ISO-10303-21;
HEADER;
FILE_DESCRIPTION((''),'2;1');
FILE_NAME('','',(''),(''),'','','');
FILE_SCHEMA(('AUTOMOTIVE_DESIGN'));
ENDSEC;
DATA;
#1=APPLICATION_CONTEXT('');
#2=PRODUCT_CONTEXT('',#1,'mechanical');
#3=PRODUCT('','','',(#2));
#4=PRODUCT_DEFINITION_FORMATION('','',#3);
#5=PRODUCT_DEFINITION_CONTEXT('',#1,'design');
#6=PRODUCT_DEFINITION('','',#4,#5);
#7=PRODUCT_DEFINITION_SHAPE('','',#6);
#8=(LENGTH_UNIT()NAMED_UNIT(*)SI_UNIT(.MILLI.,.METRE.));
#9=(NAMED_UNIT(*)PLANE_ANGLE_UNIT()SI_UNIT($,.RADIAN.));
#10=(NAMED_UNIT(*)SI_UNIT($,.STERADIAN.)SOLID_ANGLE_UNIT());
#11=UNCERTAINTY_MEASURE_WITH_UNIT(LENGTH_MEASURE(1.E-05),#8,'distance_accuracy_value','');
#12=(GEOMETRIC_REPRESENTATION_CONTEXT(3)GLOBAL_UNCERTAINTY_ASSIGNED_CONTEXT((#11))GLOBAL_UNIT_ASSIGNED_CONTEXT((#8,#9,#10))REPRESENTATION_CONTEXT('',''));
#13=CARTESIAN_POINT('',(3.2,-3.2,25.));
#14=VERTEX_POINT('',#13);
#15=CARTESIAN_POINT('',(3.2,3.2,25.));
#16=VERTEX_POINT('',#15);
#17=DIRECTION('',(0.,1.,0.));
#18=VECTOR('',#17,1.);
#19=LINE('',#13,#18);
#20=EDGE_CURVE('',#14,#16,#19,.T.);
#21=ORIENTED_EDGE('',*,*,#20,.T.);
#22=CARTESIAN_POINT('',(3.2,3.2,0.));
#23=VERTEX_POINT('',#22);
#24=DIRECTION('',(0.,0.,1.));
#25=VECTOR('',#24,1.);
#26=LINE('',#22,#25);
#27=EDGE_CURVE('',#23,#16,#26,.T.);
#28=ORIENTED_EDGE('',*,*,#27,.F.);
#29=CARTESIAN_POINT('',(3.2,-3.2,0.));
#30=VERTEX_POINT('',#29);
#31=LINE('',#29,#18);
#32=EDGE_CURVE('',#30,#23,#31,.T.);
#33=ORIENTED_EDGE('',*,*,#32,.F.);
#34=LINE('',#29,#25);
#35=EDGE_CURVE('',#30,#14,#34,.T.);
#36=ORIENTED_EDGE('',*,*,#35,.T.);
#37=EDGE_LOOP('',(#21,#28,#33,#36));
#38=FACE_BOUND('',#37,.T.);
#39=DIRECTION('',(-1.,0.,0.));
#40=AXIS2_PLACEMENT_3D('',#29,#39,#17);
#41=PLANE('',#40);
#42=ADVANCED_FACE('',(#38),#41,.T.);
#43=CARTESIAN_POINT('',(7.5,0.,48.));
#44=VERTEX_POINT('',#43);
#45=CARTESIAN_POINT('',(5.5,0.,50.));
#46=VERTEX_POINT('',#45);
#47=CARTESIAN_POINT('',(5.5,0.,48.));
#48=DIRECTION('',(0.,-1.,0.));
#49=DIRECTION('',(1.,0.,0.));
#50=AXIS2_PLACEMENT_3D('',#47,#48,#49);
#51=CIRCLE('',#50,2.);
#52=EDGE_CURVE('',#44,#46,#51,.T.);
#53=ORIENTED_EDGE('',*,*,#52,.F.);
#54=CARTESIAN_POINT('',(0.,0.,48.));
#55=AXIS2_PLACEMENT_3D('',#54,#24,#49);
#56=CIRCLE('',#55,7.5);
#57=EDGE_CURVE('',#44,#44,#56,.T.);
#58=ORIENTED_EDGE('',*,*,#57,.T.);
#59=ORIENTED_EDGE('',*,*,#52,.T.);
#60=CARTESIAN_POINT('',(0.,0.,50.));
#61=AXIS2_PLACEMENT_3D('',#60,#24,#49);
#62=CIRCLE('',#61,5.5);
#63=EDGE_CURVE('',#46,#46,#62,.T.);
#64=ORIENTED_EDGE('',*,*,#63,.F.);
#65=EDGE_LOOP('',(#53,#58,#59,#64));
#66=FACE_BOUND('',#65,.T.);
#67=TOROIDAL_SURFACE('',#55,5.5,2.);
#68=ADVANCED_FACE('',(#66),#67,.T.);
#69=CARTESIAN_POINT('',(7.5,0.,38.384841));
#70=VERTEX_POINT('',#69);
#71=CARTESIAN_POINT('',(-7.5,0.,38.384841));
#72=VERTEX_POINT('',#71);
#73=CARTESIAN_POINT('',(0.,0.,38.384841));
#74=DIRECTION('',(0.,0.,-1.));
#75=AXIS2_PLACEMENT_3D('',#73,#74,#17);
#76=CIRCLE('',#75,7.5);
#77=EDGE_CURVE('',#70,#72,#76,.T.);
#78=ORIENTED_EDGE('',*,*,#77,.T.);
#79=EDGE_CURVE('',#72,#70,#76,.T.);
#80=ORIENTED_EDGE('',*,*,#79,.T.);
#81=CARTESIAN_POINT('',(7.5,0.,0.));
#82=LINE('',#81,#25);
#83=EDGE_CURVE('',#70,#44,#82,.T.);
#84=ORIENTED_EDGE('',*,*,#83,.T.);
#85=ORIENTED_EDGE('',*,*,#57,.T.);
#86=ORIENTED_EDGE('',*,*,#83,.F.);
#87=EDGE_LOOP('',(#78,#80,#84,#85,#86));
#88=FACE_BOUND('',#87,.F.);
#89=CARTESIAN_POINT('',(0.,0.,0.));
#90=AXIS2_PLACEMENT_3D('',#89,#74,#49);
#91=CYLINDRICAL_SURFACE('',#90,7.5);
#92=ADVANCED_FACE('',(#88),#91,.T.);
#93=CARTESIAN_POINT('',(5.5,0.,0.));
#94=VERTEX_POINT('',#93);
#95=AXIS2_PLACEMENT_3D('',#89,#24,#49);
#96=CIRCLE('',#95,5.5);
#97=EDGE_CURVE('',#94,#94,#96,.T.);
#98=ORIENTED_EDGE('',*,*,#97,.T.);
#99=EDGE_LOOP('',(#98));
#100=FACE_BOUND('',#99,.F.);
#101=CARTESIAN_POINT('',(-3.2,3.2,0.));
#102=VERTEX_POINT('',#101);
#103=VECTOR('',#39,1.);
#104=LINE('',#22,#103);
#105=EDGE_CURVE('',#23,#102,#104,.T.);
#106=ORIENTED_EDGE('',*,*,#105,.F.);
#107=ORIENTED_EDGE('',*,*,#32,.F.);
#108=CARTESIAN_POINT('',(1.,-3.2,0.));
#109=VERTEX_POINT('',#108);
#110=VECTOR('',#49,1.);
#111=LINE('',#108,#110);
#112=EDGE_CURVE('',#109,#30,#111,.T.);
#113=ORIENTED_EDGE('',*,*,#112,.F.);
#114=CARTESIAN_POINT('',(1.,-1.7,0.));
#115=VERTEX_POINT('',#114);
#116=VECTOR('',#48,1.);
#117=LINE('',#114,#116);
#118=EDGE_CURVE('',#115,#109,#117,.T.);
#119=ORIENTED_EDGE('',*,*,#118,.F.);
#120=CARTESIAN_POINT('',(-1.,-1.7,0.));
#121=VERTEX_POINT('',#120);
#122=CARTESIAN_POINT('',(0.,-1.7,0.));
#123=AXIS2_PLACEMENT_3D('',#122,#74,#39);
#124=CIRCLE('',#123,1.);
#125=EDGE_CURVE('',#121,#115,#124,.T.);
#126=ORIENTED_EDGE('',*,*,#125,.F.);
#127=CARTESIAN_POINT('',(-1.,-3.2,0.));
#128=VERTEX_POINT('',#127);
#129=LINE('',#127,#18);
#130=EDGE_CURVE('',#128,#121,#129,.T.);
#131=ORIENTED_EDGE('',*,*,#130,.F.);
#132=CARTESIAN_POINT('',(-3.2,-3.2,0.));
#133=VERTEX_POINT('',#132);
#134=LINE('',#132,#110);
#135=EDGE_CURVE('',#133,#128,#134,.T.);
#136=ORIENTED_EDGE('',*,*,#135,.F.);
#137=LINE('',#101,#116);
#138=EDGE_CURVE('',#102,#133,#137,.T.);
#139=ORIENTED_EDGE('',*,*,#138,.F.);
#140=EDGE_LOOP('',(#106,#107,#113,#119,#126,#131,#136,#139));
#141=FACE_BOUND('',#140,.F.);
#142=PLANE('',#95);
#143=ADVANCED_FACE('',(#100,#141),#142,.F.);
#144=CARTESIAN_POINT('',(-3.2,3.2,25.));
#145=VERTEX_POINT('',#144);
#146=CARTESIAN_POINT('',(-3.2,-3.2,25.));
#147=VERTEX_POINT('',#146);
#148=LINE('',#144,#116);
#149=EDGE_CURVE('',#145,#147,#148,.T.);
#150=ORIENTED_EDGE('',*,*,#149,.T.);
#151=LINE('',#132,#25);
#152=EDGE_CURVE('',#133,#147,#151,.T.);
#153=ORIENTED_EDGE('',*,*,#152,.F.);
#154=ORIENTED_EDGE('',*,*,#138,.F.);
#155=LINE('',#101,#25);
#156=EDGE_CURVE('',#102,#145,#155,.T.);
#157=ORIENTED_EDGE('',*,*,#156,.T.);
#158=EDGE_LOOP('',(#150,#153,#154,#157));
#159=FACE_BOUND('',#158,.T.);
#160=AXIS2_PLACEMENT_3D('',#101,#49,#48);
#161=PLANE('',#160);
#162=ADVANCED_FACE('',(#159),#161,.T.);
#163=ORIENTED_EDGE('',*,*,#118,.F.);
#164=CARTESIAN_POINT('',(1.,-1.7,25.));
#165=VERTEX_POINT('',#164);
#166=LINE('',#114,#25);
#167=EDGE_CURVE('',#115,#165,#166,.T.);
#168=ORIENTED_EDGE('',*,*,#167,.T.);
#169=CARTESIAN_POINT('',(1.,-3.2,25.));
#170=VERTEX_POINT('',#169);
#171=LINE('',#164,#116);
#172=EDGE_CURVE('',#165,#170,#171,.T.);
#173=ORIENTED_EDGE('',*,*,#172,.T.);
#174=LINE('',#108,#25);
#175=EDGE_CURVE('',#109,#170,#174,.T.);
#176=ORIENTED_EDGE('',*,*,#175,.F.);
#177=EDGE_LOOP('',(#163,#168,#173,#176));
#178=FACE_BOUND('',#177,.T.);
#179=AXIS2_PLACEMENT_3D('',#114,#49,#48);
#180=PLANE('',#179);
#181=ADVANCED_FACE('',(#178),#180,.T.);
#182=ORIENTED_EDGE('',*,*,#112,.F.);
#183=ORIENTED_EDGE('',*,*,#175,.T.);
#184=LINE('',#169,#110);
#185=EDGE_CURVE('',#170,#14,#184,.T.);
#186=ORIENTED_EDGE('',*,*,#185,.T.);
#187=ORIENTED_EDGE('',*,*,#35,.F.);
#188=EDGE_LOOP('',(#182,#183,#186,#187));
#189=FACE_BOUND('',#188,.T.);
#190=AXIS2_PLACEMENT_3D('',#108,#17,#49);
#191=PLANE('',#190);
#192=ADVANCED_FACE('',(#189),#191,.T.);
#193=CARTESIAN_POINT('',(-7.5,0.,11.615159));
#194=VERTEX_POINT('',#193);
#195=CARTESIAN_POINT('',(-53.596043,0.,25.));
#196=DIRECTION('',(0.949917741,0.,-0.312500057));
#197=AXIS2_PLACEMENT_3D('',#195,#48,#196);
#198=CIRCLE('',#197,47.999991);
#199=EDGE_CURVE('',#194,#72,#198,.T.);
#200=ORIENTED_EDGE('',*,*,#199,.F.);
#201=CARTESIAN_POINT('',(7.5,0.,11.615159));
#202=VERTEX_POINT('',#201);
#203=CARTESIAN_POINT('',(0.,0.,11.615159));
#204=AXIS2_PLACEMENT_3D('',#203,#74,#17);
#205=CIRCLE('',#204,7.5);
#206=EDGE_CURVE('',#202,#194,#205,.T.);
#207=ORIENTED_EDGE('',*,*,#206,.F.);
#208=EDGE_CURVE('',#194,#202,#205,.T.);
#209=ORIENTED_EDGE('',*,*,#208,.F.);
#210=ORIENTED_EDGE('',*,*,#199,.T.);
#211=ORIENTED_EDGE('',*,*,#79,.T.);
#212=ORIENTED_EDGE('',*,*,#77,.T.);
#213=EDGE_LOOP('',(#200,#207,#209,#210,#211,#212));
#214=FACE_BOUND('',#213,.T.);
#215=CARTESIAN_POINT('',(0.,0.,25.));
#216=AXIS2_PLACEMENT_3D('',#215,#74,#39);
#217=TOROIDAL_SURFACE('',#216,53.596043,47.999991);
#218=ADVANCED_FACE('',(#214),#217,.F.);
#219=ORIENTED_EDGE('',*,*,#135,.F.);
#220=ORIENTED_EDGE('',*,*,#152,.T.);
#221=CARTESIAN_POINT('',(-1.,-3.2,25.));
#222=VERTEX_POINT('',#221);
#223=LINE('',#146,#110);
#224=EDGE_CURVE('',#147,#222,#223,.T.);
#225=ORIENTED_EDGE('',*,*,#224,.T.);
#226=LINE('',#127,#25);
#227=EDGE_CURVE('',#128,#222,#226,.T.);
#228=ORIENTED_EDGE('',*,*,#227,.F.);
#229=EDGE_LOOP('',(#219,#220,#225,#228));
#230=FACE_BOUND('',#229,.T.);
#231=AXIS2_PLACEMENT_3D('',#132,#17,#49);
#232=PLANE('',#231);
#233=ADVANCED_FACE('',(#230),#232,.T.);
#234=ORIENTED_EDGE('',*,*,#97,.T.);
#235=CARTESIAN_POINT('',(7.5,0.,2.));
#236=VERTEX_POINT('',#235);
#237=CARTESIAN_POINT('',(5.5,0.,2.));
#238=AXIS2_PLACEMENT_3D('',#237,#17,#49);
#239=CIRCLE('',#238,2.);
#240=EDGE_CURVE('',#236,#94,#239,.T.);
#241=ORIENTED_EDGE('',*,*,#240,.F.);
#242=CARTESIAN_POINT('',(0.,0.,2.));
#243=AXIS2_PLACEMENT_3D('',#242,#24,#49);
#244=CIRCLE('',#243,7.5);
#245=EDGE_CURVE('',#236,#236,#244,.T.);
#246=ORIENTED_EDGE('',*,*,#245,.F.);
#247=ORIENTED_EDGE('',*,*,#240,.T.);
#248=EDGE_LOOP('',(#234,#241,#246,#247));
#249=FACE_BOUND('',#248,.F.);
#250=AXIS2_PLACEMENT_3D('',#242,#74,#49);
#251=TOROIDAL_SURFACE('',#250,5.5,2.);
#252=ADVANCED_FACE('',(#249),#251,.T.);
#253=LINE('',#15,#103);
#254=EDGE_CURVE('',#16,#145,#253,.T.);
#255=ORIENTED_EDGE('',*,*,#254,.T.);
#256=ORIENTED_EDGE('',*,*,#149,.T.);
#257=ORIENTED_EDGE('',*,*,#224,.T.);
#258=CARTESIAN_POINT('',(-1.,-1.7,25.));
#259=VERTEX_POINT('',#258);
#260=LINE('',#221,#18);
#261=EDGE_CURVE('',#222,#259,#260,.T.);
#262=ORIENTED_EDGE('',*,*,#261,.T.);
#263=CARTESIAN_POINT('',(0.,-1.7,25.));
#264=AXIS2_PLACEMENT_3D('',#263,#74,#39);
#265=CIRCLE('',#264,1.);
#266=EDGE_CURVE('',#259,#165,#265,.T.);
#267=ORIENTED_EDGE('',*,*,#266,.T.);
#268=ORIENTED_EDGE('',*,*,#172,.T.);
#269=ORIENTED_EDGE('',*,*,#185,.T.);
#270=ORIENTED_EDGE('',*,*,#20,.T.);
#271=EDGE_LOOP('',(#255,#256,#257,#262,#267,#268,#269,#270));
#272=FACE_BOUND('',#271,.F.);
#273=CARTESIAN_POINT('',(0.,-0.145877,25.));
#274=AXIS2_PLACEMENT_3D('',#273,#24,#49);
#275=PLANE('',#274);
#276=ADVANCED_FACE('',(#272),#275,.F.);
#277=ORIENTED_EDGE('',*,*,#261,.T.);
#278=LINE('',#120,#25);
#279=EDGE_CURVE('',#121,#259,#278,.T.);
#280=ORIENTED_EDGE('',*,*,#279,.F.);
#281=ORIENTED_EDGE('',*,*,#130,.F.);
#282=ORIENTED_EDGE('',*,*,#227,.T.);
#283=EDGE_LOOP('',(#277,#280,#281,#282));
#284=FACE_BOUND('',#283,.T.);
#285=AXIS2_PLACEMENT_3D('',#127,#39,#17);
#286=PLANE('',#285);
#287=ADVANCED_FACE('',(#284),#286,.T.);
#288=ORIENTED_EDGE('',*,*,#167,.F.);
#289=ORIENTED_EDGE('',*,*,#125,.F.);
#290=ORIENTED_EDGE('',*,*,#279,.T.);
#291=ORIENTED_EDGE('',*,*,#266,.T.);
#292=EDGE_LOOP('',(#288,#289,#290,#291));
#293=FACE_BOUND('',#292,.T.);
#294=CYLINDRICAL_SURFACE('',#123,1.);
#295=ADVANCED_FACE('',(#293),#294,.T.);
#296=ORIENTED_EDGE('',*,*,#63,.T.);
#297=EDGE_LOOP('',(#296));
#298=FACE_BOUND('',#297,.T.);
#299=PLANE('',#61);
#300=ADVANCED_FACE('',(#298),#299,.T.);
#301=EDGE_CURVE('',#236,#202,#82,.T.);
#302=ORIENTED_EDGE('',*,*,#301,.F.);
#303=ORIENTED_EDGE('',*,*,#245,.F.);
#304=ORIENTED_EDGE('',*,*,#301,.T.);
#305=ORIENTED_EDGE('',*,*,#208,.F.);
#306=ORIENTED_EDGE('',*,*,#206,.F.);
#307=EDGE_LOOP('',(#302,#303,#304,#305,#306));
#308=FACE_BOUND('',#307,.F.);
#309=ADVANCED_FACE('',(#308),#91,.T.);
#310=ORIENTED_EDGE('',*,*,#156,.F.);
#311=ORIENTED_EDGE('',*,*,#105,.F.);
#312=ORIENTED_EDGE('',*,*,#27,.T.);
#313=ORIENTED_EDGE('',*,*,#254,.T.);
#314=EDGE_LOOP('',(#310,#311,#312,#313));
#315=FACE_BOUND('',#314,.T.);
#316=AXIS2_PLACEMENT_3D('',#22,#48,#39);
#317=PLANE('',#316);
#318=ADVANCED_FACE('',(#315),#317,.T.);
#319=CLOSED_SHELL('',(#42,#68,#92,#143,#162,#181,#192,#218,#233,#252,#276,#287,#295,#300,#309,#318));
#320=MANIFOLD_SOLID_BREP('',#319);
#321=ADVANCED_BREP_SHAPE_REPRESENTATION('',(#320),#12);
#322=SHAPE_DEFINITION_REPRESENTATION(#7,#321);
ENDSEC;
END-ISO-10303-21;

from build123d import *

# Parameters (mm, degrees)
F0_R     = 7.5
F1_DEPTH = 50
F3_DEPTH = 25
F6_R     = 2


with BuildPart() as f1:
    # F0 (on Top) → F1 (new body)
    with BuildSketch(Plane.XY):
        Circle(F0_R)
    extrude(amount=F1_DEPTH)

    # F2 (on Top) → F3 (cut)
    with BuildSketch(Plane.XY):
        with BuildLine():
            Line((3.2, -3.2), (3.2, 3.2))
            Line((3.2, 3.2), (-3.2, 3.2))
            Line((-3.2, 3.2), (-3.2, -3.2))
            Line((-3.2, -3.2), (-1, -3.2))
            Line((-1, -3.2), (-1, -1.7))
            ThreePointArc((-1, -1.7), (0, -0.7), (1, -1.7))
            Line((1, -1.7), (1, -3.2))
            Line((1, -3.2), (3.2, -3.2))
        make_face()
    extrude(amount=F3_DEPTH, mode=Mode.SUBTRACT)

    # F4 (on Front) → F5 (revolve, cut)
    with BuildSketch(Plane.XZ):
        with BuildLine():
            ThreePointArc((-8, 10), (-5.596052, 25), (-8, 40))
            Line((-8, 40), (-13, 40))
            Line((-13, 40), (-13, 10))
            Line((-13, 10), (-8, 10))
        make_face()
    revolve(axis=Axis((0, 0, 50), (0, 0, 1)), mode=Mode.SUBTRACT)

    # F6
    f6_edges = [f1.edges().sort_by_distance(p)[0] for p in [
        (-7.5, 0, 50),
        (-7.5, 0, 0),
    ]]
    fillet(f6_edges, radius=F6_R)


solid = f1.part
